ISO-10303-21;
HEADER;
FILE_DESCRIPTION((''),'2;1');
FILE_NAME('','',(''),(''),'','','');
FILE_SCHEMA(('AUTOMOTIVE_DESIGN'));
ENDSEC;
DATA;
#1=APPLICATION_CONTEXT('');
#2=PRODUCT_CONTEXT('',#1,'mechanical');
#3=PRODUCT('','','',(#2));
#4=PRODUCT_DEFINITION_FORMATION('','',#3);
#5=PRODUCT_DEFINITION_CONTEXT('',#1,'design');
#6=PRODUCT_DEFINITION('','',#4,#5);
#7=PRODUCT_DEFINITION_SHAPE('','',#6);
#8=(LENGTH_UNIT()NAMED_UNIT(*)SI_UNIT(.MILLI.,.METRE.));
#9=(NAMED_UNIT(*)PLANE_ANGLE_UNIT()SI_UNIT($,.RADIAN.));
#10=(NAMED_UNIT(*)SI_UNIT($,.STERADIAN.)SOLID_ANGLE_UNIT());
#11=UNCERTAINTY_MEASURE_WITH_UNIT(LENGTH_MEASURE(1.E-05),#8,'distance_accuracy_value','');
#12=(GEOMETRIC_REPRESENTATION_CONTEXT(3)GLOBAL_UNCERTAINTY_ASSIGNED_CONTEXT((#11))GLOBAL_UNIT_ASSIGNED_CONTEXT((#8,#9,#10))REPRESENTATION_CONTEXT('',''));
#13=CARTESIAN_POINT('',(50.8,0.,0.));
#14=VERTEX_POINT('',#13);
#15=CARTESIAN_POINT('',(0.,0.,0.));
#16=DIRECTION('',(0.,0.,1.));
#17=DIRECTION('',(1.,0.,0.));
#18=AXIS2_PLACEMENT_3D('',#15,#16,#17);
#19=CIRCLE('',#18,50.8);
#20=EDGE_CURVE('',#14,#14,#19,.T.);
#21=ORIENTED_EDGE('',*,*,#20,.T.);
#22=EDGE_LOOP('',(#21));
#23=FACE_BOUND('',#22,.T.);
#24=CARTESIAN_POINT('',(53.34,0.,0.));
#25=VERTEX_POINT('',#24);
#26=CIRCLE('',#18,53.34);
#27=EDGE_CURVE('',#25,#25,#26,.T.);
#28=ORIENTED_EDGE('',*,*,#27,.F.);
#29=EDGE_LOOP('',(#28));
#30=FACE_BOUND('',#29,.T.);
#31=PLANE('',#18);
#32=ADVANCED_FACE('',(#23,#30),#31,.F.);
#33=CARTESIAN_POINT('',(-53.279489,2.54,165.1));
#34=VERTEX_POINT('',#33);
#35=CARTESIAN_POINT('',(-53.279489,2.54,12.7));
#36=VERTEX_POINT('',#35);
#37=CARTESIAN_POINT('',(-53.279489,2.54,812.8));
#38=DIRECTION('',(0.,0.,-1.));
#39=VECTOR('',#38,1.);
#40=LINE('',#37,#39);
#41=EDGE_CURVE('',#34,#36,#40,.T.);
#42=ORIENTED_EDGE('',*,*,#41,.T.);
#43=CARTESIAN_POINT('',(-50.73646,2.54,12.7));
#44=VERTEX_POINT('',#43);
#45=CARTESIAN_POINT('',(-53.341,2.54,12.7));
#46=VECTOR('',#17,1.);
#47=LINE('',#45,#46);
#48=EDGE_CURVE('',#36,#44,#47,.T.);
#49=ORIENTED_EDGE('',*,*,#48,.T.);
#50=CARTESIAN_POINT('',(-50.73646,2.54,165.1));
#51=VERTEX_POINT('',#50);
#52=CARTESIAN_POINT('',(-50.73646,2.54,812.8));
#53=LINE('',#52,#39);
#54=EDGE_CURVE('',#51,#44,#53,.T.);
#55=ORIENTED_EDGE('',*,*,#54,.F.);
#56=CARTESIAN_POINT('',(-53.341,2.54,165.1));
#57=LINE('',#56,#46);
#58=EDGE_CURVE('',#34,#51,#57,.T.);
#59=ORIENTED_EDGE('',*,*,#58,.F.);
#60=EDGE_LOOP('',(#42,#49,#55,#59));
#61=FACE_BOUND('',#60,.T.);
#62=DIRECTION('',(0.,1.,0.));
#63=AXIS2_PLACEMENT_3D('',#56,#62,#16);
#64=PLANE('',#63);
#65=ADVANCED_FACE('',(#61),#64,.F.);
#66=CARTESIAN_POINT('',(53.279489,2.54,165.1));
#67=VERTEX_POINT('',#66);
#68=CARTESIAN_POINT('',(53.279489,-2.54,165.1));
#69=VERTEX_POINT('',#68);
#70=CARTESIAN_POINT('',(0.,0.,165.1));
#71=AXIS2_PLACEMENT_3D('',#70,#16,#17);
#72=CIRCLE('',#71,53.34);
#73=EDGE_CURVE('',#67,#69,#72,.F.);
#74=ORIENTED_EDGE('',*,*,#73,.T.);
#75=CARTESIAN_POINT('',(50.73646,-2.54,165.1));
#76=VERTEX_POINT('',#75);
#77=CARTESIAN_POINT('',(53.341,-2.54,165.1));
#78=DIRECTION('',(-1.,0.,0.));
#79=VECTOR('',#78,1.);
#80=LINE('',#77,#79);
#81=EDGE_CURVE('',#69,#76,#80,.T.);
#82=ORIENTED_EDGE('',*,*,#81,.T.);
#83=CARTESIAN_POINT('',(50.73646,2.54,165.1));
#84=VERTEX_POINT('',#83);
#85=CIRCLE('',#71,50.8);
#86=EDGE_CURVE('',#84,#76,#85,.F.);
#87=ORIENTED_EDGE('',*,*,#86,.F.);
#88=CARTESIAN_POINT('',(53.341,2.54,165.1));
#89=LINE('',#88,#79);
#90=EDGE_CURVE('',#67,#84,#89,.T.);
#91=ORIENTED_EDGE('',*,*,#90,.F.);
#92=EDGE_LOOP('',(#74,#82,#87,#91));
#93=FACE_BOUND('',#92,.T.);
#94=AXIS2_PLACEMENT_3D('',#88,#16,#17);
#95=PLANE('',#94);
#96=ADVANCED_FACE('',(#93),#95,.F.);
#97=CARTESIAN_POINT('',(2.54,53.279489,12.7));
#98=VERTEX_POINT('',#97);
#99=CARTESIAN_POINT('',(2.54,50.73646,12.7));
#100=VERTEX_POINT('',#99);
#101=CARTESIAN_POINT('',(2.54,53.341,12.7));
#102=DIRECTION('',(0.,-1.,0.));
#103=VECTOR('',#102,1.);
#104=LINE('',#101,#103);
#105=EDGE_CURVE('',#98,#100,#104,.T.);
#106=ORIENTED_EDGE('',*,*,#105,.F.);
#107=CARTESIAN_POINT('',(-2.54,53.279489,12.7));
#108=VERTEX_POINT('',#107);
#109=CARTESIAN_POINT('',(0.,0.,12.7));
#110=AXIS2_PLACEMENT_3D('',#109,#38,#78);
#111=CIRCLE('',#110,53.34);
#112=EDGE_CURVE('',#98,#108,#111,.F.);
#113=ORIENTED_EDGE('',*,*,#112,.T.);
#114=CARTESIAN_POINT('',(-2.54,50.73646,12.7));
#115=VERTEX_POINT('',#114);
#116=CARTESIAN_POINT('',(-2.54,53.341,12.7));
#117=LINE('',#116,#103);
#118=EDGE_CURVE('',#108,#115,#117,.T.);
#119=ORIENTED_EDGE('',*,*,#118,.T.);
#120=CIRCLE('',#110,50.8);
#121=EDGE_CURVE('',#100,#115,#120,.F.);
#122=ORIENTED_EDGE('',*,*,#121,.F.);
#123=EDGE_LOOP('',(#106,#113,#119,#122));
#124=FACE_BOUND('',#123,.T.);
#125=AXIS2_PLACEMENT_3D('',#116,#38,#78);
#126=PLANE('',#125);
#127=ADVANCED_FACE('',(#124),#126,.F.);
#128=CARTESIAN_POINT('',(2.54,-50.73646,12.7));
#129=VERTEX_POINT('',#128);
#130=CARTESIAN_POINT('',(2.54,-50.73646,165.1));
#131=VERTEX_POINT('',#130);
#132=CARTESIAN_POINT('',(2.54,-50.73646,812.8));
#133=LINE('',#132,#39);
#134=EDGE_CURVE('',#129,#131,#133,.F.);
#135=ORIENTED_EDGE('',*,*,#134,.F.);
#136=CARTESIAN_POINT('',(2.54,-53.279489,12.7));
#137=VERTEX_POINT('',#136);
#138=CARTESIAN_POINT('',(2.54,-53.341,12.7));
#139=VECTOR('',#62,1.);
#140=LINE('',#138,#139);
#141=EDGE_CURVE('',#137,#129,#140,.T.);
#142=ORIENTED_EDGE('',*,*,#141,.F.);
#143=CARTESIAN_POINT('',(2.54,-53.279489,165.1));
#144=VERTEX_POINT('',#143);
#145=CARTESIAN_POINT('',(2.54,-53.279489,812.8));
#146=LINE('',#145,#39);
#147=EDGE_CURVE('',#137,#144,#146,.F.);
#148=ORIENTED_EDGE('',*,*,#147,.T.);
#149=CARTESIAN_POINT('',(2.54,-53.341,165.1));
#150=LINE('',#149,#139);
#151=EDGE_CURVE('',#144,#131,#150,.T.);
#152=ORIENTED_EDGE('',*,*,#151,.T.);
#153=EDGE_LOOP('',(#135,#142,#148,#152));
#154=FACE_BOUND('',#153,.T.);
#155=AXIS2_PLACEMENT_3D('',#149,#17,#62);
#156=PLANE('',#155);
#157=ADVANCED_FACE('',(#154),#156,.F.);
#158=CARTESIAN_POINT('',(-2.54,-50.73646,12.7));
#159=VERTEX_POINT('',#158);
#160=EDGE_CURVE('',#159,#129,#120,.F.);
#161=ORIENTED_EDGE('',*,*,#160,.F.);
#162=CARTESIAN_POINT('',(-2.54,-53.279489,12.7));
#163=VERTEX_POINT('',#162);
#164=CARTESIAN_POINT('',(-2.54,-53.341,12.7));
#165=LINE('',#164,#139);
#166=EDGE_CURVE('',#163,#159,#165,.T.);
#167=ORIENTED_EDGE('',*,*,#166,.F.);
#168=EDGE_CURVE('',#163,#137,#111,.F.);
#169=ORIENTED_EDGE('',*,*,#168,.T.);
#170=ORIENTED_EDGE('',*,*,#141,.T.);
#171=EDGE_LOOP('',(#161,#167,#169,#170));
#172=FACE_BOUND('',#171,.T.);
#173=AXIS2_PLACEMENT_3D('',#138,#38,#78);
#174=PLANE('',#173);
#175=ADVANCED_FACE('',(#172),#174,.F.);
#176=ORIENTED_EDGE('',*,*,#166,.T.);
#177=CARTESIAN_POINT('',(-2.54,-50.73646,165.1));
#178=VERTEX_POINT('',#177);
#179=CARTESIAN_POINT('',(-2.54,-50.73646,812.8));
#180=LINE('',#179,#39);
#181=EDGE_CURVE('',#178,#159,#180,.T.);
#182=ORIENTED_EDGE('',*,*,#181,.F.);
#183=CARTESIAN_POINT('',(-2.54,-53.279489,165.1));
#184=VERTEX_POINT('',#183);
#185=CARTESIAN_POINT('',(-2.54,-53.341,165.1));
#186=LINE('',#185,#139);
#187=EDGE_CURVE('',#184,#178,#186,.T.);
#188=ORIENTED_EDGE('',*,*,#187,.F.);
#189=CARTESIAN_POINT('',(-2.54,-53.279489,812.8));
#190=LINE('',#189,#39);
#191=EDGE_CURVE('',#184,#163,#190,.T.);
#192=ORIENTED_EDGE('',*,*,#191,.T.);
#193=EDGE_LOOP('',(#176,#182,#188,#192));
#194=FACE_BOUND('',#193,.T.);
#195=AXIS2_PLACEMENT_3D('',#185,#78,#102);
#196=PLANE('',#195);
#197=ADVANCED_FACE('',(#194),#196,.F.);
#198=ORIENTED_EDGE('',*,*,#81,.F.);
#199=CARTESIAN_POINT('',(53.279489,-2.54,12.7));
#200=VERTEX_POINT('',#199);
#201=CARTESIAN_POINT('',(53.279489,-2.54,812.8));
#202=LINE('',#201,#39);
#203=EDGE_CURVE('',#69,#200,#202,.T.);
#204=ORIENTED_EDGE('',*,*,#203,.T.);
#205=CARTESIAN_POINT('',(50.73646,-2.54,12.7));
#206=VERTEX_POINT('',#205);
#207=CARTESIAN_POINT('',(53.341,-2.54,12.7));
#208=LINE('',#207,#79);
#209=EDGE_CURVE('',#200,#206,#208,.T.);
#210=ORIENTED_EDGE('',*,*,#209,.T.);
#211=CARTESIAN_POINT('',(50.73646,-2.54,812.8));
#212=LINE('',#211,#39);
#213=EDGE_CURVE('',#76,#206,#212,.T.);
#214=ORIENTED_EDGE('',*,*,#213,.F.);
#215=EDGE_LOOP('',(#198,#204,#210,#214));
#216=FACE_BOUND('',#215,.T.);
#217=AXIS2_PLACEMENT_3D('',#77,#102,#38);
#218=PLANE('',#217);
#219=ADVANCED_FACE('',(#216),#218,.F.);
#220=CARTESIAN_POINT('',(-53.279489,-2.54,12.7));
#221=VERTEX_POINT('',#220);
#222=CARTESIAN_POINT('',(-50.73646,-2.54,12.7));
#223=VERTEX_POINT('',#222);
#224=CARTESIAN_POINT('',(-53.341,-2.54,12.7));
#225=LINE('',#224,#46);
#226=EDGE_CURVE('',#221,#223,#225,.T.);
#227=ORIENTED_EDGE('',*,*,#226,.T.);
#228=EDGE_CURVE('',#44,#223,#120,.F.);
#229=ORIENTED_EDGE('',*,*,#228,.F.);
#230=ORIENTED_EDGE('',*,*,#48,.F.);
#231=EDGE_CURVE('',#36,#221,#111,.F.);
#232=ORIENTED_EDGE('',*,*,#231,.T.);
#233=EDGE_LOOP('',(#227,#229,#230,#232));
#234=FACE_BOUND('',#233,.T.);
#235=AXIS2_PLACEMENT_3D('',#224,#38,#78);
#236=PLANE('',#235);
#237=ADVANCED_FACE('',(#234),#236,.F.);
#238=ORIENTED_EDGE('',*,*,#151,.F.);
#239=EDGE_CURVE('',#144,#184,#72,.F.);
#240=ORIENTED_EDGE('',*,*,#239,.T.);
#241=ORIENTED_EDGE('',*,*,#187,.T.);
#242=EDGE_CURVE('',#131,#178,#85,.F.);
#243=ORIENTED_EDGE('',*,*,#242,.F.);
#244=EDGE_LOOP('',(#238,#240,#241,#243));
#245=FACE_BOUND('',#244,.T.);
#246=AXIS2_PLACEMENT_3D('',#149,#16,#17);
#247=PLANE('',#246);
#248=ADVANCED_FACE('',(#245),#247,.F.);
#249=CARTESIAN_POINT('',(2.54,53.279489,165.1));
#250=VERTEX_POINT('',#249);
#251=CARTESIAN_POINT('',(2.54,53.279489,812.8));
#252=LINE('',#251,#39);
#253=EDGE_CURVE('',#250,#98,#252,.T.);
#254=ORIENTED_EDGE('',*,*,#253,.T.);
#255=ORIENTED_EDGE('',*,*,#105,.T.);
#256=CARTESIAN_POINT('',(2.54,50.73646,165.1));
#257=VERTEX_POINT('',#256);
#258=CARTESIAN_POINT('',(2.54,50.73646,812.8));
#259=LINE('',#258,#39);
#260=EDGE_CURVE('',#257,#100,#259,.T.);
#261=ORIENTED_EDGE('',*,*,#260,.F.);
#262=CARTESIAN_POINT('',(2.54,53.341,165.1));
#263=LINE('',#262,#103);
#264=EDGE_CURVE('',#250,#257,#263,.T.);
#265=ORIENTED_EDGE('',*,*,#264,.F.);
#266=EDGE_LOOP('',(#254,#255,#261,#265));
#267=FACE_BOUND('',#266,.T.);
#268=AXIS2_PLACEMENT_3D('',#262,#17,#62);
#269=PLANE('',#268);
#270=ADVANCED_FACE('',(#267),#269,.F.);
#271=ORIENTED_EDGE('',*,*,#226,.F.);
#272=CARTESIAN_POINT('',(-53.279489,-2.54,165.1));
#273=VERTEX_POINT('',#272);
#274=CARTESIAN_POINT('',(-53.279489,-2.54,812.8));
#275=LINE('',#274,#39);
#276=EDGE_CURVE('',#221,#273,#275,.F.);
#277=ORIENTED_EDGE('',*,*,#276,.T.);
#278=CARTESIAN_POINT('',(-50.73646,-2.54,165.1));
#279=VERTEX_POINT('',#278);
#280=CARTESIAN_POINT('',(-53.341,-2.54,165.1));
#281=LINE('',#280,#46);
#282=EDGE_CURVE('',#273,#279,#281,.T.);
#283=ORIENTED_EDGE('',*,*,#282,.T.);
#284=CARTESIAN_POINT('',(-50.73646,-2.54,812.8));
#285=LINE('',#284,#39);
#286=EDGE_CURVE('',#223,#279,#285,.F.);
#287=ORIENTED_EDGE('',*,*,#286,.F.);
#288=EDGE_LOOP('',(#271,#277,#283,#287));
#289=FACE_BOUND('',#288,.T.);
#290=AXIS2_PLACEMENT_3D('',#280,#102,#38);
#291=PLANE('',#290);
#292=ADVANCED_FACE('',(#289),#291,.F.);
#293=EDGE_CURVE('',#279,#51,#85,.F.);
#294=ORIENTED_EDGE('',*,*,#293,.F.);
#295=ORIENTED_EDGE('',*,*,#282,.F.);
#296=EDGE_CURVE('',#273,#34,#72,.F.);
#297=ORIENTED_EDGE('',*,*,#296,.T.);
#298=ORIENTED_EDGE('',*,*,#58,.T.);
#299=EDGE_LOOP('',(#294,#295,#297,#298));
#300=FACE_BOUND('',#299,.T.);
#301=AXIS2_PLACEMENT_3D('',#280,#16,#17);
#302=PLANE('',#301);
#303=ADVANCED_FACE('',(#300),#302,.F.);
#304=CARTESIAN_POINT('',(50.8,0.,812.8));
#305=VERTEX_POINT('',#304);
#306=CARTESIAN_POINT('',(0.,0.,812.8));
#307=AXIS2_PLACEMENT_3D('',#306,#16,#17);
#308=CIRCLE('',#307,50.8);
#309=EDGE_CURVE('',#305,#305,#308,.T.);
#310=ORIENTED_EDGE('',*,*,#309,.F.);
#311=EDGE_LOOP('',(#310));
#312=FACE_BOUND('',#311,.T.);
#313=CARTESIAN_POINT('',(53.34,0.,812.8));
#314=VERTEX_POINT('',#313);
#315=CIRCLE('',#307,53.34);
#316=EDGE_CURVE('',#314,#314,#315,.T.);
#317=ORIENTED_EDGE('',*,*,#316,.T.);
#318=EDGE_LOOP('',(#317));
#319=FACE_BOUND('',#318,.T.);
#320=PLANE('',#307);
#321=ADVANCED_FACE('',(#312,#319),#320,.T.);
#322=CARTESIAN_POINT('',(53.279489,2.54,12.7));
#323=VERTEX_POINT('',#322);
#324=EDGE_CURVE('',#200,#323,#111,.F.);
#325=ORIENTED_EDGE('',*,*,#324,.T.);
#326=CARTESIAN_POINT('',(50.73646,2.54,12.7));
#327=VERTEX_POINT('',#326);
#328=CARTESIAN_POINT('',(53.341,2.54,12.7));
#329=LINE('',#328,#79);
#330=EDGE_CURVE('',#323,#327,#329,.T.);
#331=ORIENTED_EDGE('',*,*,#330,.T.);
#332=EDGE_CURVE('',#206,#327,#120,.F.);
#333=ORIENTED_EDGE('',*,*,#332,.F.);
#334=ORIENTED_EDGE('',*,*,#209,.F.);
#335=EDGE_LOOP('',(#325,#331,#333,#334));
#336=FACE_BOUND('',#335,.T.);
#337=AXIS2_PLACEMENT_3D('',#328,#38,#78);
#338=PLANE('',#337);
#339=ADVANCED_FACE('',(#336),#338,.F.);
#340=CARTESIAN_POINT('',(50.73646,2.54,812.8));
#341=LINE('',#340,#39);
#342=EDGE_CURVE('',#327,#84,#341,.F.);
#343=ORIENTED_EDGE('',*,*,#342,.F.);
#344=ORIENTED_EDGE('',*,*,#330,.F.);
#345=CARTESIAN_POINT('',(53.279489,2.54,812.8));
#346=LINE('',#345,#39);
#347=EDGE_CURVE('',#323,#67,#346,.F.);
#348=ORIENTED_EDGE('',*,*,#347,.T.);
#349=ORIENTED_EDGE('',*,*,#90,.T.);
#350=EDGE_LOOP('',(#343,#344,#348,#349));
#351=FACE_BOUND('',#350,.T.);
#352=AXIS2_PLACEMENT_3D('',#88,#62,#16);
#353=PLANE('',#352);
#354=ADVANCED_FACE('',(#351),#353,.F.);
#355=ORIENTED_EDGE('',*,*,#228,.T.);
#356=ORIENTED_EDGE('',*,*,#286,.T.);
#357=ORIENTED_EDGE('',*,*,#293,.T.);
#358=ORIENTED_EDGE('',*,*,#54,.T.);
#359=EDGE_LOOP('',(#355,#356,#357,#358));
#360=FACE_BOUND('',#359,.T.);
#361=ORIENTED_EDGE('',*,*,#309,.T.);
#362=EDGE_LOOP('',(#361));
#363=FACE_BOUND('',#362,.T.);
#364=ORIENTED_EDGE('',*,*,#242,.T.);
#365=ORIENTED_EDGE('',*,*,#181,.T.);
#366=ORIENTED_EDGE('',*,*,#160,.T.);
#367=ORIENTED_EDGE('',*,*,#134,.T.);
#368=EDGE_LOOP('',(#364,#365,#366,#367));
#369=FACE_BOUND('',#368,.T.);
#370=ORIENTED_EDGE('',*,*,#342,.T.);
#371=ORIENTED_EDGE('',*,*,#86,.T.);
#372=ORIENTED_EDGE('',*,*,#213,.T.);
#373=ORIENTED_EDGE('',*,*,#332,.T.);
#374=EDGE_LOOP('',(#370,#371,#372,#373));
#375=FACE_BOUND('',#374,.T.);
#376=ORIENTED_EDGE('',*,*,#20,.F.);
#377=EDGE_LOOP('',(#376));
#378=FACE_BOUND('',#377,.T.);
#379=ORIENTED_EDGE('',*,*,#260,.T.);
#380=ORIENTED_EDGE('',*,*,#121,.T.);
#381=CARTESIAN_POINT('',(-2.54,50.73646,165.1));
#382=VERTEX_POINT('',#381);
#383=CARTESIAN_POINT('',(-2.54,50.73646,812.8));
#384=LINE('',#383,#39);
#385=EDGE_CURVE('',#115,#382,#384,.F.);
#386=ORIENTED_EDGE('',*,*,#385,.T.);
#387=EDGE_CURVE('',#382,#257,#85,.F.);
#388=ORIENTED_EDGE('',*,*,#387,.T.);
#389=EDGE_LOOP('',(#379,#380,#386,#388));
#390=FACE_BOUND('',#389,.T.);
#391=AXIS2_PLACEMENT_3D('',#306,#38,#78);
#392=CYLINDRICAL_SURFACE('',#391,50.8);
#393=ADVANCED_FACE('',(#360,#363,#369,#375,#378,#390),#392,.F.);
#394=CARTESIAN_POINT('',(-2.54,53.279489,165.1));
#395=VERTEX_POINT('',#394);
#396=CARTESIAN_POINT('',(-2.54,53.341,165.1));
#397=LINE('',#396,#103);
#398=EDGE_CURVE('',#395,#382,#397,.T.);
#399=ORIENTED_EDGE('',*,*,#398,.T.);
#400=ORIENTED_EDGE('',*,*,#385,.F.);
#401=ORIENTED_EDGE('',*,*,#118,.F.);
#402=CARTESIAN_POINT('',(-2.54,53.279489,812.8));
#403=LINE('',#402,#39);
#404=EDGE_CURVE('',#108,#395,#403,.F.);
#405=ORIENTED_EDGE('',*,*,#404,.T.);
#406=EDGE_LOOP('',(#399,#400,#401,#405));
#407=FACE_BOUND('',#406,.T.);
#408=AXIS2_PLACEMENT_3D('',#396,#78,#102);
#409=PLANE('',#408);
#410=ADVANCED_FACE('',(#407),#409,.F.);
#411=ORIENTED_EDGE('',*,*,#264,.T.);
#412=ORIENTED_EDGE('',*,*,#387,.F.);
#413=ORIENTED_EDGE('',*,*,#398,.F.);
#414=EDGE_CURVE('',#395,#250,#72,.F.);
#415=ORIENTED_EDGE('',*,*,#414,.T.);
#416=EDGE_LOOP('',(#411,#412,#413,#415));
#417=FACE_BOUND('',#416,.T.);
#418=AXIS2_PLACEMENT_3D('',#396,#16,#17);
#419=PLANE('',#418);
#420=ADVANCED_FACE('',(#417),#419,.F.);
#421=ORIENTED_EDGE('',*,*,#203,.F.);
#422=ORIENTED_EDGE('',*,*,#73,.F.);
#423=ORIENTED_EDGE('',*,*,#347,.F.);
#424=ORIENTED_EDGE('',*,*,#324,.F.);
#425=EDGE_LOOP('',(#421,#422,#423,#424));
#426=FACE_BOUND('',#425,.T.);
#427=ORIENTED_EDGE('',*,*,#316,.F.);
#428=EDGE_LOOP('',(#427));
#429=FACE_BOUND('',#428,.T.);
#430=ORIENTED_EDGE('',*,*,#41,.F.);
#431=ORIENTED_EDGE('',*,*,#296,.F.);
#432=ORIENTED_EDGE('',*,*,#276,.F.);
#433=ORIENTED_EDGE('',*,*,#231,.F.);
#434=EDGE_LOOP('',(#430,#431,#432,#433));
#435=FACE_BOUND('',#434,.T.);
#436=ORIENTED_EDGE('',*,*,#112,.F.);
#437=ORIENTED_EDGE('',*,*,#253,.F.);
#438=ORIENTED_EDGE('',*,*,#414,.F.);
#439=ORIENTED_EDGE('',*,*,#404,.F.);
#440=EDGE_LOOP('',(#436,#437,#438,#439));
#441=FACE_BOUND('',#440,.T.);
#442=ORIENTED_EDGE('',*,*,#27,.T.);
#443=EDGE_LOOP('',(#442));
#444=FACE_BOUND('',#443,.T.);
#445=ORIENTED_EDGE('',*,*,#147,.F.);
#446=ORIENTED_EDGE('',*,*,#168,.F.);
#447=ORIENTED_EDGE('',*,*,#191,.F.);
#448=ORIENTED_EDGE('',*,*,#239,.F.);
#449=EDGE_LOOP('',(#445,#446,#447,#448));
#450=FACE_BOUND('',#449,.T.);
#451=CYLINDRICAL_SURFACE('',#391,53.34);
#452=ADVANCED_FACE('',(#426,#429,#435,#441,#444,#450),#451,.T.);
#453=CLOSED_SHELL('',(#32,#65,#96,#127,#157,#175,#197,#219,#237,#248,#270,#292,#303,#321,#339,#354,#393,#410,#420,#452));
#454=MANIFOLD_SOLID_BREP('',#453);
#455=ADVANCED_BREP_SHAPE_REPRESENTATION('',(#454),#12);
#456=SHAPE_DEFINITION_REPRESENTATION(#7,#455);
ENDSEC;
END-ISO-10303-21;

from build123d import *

# Parameters (mm, degrees)
SKETCH1_R               = 53.34
SKETCH1_R_2             = 50.8
BOSS_EXTRUDE1_DEPTH     = 812.8
CUT_EXTRUDE1_REACH      = 818.293
CUT_EXTRUDE1_END_RADIUS = 53.34
SKETCH2_W               = 152.4
SKETCH2_H               = 5.08
CIRPATTERN1_COUNT       = 4


with BuildPart() as part:
    # Sketch1 → Boss-Extrude1 (new body)
    with BuildSketch(Plane.XY):
        Circle(SKETCH1_R)
        Circle(SKETCH1_R_2, mode=Mode.SUBTRACT)
    extrude(amount=BOSS_EXTRUDE1_DEPTH)

    # Cut-Extrude1: up to this cylinder (the profile starts inside it)
    cut_extrude1_end = Plane(origin=(0, 0, 88.9), z_dir=(0, 0, -1)) * Cylinder(CUT_EXTRUDE1_END_RADIUS, 1744.266, mode=Mode.PRIVATE)
    # Sketch2 → Cut-Extrude1 (cut, up to the surface)
    with BuildSketch(Plane(origin=(0, 0, 0), x_dir=(0, 0, -1), z_dir=(1, 0, 0)), mode=Mode.PRIVATE) as cut_extrude1_sk1:
        with Locations((-88.9, 0)):
            Rectangle(SKETCH2_W, SKETCH2_H)
    cut_extrude1_tool1 = extrude(cut_extrude1_sk1.sketch, amount=-CUT_EXTRUDE1_REACH, mode=Mode.PRIVATE) & cut_extrude1_end
    cut_extrude1 = cut_extrude1_tool1.solids().sort_by_distance((0, 0, 88.9))[0]
    add(cut_extrude1, mode=Mode.SUBTRACT)

    # CirPattern1: Cut-Extrude1 ×4 about axis
    cirpattern1_axis = Axis((0, 0, 0), (0, 0, 1))
    for i in range(1, CIRPATTERN1_COUNT):
        add(cut_extrude1.rotate(cirpattern1_axis, i * 360 / CIRPATTERN1_COUNT), mode=Mode.SUBTRACT)


solid = part.part
